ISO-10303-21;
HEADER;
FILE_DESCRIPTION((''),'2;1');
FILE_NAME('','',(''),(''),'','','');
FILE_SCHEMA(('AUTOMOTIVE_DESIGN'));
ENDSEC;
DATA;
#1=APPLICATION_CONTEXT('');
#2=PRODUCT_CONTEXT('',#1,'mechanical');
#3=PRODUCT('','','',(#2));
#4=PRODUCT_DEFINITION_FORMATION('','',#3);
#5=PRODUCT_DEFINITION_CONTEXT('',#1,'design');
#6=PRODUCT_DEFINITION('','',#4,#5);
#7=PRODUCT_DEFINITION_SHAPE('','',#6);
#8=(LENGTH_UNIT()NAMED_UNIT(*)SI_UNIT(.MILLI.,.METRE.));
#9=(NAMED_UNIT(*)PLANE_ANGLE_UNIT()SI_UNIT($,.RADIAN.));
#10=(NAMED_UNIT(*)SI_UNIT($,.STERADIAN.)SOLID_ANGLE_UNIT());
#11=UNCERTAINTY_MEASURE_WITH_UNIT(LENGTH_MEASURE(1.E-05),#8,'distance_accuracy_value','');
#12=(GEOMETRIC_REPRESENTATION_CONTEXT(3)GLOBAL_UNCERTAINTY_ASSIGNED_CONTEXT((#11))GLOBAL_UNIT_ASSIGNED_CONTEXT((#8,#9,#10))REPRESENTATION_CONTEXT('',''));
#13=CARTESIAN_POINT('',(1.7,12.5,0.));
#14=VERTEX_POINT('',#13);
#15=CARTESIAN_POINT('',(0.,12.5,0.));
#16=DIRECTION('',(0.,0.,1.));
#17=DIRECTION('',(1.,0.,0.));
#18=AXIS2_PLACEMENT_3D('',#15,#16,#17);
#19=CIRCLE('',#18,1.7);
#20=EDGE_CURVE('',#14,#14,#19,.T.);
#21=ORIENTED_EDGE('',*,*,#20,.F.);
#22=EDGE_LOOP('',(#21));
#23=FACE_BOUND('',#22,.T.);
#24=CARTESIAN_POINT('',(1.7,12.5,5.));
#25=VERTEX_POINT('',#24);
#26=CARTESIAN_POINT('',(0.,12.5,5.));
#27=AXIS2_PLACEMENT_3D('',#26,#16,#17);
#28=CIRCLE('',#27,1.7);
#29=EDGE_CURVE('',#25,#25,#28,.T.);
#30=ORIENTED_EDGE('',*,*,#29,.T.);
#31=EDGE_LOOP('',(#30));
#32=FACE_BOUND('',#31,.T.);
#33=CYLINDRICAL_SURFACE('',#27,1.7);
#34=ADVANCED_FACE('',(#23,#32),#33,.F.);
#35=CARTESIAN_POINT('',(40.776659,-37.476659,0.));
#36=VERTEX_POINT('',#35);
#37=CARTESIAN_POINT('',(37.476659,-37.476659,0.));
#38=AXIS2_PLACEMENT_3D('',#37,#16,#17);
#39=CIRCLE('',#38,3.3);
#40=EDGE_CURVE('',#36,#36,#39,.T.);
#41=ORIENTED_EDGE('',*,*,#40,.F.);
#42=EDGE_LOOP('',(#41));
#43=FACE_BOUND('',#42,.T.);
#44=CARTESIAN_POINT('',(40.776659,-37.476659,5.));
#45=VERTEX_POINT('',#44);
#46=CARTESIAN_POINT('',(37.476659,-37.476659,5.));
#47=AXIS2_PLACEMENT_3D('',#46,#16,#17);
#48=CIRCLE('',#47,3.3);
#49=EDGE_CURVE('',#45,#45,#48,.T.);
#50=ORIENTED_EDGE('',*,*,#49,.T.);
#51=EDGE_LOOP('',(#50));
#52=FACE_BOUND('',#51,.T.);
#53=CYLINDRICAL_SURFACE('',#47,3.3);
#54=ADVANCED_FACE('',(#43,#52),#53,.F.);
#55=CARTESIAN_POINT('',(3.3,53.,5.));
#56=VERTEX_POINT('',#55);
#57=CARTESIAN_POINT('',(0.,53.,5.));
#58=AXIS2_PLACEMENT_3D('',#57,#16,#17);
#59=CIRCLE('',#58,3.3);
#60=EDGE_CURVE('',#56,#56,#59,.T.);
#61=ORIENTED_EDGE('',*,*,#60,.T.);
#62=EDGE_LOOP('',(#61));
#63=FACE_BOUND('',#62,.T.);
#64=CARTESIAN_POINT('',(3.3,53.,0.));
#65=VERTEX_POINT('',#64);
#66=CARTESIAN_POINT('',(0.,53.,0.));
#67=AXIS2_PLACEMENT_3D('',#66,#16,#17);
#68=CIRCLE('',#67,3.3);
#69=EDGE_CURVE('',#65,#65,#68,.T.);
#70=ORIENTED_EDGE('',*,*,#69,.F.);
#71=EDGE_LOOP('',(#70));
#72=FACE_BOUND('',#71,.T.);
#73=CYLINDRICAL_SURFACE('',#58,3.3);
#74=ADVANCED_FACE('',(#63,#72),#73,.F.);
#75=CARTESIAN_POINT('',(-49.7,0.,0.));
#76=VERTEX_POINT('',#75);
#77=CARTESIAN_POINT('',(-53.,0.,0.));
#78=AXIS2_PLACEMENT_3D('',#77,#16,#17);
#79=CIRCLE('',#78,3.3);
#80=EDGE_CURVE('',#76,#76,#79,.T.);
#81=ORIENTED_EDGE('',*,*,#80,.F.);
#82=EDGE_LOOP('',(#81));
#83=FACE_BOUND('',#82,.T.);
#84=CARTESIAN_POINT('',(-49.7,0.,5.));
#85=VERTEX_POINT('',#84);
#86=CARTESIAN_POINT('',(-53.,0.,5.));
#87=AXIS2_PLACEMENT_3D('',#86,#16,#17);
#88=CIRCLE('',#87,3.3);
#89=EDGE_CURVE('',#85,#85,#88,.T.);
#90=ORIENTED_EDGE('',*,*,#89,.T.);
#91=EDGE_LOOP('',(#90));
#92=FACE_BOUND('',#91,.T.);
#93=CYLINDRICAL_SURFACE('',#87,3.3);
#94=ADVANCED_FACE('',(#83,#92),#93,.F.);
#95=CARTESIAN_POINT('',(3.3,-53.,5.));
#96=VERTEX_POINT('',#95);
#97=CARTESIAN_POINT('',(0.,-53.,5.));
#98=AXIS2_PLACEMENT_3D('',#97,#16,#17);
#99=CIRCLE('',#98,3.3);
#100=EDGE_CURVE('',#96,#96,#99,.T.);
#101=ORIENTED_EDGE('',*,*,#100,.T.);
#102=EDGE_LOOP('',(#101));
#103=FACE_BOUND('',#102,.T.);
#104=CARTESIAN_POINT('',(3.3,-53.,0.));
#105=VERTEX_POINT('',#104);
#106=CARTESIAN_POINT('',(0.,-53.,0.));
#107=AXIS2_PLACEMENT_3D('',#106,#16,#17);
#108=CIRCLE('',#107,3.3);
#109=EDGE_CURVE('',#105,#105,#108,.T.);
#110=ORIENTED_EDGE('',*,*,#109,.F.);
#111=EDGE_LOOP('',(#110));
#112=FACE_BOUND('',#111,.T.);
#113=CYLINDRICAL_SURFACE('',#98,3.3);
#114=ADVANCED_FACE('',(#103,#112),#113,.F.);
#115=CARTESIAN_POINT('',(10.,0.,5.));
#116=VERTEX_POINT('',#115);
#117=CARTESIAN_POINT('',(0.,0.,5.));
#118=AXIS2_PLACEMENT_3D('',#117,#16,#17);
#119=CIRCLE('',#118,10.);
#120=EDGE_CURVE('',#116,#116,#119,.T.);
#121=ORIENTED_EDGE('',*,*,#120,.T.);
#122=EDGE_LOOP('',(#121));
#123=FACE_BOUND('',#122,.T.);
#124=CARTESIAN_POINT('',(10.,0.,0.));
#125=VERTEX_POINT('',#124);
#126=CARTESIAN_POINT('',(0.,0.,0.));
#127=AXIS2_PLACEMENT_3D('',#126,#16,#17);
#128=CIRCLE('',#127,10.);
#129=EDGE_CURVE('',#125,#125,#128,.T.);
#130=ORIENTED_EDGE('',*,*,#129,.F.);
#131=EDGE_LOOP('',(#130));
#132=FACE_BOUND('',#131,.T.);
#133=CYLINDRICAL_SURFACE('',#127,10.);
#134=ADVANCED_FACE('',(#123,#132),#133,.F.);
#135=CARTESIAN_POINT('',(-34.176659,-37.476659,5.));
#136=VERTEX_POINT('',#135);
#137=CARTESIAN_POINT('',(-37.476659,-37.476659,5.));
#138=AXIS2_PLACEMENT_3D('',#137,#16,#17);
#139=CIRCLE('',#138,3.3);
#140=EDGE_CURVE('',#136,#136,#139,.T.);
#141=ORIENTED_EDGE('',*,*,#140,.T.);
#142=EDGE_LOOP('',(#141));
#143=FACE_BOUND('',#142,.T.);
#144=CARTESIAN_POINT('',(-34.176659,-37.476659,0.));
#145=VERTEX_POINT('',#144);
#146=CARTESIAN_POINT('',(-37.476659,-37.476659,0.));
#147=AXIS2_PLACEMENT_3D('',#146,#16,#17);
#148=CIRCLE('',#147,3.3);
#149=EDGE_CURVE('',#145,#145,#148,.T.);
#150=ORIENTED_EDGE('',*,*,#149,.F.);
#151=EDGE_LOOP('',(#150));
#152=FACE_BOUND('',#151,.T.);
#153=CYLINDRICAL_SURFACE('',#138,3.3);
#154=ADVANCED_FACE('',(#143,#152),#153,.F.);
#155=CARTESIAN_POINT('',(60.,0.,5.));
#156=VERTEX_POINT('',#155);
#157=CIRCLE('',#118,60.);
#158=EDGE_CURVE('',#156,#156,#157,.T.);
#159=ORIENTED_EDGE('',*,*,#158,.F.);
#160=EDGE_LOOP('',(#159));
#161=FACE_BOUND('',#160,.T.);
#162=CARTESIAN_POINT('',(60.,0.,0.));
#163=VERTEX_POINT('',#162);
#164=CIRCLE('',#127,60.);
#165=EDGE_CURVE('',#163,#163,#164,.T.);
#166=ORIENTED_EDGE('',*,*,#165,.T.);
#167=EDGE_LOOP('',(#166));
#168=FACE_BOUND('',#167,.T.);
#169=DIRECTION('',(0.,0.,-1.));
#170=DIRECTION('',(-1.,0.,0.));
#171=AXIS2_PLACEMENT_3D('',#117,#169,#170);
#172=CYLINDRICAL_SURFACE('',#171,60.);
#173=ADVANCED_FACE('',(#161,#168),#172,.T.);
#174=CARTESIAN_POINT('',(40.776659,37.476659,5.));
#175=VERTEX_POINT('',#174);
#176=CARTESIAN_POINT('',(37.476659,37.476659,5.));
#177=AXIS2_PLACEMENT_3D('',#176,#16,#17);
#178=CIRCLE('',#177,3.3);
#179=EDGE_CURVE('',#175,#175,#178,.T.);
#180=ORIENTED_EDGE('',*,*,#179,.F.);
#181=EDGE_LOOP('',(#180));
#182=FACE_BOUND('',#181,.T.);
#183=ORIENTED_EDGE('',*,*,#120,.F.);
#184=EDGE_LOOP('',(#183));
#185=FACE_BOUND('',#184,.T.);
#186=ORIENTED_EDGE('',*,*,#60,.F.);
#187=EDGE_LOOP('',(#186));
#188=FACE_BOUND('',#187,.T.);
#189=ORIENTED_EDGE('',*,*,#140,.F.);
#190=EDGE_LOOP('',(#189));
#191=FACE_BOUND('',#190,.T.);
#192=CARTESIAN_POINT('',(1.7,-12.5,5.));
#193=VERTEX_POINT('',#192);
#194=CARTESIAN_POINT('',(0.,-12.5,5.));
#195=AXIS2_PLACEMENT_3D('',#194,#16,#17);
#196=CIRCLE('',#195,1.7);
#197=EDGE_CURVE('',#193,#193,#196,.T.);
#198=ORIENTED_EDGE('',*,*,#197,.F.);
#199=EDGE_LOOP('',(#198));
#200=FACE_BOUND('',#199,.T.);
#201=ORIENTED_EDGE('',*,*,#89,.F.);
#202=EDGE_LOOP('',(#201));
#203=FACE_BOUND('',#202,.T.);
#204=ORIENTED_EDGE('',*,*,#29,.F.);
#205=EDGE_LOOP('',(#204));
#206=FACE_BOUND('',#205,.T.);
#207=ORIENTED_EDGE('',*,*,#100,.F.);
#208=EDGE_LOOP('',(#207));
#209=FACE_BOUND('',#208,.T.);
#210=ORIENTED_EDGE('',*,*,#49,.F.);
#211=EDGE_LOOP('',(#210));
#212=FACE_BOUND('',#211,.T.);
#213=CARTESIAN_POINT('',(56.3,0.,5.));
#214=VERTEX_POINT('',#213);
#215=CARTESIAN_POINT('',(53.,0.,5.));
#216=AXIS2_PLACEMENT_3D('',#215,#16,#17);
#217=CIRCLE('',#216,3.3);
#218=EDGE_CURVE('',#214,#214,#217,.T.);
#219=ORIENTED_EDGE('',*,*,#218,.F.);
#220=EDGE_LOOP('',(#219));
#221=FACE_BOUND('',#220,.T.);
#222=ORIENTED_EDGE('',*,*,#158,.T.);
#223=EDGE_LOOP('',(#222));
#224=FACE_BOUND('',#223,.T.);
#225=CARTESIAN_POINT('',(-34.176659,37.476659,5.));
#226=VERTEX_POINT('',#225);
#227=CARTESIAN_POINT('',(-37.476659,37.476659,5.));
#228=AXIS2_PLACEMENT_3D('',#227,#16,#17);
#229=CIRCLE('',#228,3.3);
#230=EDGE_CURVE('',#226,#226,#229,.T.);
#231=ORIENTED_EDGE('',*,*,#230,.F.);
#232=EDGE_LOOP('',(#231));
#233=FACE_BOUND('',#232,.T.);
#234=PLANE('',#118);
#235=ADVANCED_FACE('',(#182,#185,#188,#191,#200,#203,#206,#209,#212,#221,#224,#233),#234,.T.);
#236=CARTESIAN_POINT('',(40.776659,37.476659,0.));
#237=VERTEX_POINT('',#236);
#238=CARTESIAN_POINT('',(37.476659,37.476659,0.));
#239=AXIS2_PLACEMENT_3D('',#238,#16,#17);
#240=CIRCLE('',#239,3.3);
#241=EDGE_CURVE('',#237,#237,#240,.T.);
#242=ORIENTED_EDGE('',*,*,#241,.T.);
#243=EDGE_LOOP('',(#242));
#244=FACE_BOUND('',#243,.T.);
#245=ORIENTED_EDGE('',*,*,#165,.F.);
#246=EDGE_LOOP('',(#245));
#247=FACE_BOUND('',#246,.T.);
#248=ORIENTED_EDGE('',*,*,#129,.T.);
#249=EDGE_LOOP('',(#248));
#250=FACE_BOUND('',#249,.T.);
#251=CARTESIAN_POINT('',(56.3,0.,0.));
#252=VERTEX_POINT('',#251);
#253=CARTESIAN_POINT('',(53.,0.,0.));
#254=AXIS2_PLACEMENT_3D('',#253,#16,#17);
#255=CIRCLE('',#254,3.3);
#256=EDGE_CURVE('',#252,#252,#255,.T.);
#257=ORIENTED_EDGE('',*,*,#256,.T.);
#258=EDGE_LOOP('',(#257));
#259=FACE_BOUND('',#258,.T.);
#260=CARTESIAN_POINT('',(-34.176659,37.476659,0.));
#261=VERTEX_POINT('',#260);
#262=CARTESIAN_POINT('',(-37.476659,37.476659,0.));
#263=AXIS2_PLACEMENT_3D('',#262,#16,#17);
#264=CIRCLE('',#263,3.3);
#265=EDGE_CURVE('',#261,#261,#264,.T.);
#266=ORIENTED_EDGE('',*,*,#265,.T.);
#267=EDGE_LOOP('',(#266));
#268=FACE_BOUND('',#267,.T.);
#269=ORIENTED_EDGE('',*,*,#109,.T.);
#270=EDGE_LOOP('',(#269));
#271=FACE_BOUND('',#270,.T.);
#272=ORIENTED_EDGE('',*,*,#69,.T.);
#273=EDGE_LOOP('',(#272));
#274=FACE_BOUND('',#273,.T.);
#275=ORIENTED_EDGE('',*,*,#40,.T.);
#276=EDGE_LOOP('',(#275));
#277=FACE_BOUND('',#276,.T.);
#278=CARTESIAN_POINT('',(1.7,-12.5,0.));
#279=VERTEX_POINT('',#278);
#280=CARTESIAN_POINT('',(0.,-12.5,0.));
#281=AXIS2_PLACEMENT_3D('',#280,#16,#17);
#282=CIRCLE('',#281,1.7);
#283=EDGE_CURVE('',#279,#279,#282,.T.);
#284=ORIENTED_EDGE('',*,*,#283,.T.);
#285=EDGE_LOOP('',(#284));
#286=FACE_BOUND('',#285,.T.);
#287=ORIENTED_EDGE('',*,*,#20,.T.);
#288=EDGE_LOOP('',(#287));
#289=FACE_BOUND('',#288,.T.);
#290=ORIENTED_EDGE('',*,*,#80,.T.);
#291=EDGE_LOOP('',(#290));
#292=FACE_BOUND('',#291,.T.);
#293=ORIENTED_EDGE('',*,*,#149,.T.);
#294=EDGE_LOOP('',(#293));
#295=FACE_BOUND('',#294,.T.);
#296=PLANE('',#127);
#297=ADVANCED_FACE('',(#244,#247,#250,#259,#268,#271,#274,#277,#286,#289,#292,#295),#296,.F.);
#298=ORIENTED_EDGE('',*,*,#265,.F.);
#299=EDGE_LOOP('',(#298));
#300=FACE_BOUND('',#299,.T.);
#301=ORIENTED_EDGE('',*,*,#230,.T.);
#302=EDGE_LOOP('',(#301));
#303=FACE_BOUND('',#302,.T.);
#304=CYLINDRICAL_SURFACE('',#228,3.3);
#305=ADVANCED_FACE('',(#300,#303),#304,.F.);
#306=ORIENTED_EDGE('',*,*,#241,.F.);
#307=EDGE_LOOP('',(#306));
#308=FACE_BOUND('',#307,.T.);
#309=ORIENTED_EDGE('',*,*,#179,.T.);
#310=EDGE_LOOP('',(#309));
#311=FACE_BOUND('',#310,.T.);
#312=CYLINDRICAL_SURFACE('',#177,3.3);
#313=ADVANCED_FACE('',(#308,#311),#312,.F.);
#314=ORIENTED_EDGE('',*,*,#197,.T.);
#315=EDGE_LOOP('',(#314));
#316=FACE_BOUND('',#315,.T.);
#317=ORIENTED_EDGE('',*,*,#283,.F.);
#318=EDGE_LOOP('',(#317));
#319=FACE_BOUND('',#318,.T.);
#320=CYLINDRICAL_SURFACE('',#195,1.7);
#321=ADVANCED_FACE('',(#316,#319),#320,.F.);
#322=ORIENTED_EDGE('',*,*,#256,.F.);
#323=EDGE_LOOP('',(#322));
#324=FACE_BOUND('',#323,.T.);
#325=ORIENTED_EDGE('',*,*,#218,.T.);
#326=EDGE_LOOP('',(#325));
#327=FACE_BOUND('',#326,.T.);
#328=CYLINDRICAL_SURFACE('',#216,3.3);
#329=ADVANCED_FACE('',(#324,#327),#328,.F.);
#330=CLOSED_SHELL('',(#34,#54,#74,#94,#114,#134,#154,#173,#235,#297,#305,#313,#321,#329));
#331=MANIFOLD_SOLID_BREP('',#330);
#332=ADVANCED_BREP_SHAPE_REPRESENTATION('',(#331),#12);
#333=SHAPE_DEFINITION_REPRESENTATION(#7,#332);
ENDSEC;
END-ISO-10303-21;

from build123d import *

# Parameters (mm, degrees)
SKETCH1_R               = 60
BOSS_EXTRUDE1_DEPTH     = 5
SKETCH7_R               = 10
CUT_EXTRUDE1_DEPTH      = 1
CUT_EXTRUDE1_DEPTH_BACK = 6
M3_CLEARANCE_HOLE1_D    = 3.4
M6_CLEARANCE_HOLE1_D    = 6.6


with BuildPart() as part:
    # Sketch1 → Boss-Extrude1 (new body)
    with BuildSketch(Plane.XY):
        Circle(SKETCH1_R)
    extrude(amount=BOSS_EXTRUDE1_DEPTH)

    # Sketch7 → Cut-Extrude1 (cut, two sides)
    with BuildSketch(Plane.XY.offset(5)) as cut_extrude1_sk:
        Circle(SKETCH7_R)
    extrude(amount=CUT_EXTRUDE1_DEPTH, mode=Mode.SUBTRACT)
    extrude(cut_extrude1_sk.sketch, amount=-CUT_EXTRUDE1_DEPTH_BACK, mode=Mode.SUBTRACT)

    # M3 Clearance Hole1 (through all)
    with Locations(Plane.XY.offset(5)):
        with Locations((0, 12.5), (0, -12.5)):
            Hole(M3_CLEARANCE_HOLE1_D / 2)

    # M6 Clearance Hole1 (through all)
    with Locations(Plane.XY.offset(5)):
        with Locations((-37.476659403, 37.476659403), (0, 53), (37.476659403, 37.476659403), (53, 0), (37.476659403, -37.476659403), (0, -53), (-37.476659403, -37.476659403), (-53, 0)):
            Hole(M6_CLEARANCE_HOLE1_D / 2)


solid = part.part
